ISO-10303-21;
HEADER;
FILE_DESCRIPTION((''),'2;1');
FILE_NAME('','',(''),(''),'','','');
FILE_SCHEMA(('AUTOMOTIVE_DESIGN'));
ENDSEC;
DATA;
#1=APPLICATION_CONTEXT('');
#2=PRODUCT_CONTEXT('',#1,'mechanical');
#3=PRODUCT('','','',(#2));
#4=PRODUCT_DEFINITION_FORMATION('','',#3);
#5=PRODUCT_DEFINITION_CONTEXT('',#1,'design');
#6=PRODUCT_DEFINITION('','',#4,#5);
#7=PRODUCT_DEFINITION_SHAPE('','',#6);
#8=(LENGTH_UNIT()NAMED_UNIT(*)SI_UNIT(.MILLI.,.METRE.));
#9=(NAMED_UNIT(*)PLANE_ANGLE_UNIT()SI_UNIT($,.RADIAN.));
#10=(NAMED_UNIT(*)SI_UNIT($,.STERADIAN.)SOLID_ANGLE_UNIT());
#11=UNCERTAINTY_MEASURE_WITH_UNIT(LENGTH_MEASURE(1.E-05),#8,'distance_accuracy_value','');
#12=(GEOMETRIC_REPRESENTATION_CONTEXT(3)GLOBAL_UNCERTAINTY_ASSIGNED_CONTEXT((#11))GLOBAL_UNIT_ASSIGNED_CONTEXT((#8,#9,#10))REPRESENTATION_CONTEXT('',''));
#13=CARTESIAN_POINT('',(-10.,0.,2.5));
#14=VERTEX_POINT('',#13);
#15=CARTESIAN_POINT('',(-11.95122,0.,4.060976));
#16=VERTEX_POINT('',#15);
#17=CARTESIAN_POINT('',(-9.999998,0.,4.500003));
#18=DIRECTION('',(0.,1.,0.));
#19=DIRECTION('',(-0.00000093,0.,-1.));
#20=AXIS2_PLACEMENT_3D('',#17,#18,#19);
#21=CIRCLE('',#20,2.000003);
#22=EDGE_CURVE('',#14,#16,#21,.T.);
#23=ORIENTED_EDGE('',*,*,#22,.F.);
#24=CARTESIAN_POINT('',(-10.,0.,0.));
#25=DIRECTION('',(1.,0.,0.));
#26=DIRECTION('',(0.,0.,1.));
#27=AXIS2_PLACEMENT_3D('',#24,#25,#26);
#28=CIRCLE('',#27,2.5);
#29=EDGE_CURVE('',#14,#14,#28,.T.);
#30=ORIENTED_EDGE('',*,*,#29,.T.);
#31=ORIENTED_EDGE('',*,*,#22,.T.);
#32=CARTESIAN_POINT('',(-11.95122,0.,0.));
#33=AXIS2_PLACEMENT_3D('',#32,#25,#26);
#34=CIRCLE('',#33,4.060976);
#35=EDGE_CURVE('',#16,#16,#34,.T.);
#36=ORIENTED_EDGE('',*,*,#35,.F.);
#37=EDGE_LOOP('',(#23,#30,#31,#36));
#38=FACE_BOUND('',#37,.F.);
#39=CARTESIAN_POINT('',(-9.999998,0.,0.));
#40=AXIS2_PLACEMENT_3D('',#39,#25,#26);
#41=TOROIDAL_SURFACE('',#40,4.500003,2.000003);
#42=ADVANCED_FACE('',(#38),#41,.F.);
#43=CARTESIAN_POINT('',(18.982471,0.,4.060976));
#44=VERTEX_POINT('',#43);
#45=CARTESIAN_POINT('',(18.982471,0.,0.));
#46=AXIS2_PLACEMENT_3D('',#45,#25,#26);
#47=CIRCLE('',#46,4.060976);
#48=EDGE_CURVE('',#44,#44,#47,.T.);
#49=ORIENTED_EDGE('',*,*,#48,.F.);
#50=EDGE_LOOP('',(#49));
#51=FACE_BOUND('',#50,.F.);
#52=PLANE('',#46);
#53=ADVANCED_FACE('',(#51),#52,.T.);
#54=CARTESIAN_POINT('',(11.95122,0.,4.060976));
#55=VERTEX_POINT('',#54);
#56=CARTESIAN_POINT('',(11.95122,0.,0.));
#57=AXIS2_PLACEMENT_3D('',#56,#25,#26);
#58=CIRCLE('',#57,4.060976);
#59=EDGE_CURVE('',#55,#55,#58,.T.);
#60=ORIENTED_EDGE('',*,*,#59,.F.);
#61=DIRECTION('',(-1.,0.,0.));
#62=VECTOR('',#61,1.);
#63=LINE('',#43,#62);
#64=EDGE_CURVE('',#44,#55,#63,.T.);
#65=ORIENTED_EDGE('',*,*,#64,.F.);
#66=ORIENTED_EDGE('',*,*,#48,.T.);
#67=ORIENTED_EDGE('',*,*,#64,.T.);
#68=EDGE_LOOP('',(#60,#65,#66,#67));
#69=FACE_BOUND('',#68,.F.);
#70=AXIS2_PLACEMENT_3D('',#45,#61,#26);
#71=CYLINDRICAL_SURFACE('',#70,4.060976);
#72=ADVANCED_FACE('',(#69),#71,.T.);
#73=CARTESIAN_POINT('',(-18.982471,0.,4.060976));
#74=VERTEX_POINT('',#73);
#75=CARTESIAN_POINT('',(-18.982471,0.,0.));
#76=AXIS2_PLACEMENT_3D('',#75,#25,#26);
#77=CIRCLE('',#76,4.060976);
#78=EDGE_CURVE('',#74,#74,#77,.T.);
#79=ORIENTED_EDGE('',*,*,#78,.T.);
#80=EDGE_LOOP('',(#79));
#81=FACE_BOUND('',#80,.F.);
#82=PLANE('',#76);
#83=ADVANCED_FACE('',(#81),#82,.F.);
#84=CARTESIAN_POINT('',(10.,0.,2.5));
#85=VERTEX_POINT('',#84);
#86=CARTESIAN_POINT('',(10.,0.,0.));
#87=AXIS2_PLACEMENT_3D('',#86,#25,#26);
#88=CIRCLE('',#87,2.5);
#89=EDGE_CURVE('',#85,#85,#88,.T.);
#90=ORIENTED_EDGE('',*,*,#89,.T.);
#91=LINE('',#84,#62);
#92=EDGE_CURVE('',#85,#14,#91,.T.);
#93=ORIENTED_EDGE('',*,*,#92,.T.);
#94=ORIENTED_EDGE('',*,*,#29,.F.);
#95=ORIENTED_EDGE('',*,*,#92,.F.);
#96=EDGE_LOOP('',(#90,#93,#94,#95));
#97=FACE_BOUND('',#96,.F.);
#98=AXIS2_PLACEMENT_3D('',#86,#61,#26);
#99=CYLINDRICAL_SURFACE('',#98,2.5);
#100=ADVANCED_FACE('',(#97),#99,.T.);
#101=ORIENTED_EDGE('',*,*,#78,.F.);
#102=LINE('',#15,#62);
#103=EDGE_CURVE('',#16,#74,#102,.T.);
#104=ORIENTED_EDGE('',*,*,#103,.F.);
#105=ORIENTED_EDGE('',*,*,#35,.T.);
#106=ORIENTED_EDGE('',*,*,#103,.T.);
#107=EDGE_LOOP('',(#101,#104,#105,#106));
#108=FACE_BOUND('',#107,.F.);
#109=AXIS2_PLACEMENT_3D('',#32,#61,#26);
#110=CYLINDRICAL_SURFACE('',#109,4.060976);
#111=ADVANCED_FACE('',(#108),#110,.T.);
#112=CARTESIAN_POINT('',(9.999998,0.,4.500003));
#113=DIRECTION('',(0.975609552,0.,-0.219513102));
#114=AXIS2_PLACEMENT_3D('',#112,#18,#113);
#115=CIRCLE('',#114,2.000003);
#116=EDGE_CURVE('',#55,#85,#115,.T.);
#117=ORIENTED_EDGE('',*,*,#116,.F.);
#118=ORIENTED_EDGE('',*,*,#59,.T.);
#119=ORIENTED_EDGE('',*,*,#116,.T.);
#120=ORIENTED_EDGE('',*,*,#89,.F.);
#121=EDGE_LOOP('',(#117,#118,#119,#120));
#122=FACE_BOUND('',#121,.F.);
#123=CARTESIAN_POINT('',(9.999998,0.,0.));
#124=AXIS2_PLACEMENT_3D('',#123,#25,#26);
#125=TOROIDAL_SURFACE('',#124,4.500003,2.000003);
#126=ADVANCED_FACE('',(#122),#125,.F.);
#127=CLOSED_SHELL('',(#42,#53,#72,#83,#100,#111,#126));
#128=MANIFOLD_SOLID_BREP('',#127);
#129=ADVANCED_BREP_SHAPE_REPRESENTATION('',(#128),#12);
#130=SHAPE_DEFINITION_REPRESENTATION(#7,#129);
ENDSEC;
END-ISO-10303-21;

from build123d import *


with BuildPart() as f1:
    # F0 (on Front) → F1 (revolve)
    with BuildSketch(Plane.XZ):
        with BuildLine():
            Line((10, 2.5), (0, 2.5))
            Line((0, 2.5), (-10, 2.5))
            ThreePointArc((-10, 2.5), (-11.24939, 2.938263), (-11.95122, 4.060976))
            Line((-11.95122, 4.060976), (-18.982471, 4.060976))
            Line((-18.982471, 4.060976), (-18.982471, 0))
            Line((-18.982471, 0), (0, 0))
            Line((0, 0), (18.982471, 0))
            Line((18.982471, 0), (18.982471, 4.060976))
            Line((18.982471, 4.060976), (11.95122, 4.060976))
            ThreePointArc((11.95122, 4.060976), (11.24939, 2.938263), (10, 2.5))
        make_face()
    revolve(axis=Axis((-9.491236, 0, 0), (1, 0, 0)))


solid = f1.part
